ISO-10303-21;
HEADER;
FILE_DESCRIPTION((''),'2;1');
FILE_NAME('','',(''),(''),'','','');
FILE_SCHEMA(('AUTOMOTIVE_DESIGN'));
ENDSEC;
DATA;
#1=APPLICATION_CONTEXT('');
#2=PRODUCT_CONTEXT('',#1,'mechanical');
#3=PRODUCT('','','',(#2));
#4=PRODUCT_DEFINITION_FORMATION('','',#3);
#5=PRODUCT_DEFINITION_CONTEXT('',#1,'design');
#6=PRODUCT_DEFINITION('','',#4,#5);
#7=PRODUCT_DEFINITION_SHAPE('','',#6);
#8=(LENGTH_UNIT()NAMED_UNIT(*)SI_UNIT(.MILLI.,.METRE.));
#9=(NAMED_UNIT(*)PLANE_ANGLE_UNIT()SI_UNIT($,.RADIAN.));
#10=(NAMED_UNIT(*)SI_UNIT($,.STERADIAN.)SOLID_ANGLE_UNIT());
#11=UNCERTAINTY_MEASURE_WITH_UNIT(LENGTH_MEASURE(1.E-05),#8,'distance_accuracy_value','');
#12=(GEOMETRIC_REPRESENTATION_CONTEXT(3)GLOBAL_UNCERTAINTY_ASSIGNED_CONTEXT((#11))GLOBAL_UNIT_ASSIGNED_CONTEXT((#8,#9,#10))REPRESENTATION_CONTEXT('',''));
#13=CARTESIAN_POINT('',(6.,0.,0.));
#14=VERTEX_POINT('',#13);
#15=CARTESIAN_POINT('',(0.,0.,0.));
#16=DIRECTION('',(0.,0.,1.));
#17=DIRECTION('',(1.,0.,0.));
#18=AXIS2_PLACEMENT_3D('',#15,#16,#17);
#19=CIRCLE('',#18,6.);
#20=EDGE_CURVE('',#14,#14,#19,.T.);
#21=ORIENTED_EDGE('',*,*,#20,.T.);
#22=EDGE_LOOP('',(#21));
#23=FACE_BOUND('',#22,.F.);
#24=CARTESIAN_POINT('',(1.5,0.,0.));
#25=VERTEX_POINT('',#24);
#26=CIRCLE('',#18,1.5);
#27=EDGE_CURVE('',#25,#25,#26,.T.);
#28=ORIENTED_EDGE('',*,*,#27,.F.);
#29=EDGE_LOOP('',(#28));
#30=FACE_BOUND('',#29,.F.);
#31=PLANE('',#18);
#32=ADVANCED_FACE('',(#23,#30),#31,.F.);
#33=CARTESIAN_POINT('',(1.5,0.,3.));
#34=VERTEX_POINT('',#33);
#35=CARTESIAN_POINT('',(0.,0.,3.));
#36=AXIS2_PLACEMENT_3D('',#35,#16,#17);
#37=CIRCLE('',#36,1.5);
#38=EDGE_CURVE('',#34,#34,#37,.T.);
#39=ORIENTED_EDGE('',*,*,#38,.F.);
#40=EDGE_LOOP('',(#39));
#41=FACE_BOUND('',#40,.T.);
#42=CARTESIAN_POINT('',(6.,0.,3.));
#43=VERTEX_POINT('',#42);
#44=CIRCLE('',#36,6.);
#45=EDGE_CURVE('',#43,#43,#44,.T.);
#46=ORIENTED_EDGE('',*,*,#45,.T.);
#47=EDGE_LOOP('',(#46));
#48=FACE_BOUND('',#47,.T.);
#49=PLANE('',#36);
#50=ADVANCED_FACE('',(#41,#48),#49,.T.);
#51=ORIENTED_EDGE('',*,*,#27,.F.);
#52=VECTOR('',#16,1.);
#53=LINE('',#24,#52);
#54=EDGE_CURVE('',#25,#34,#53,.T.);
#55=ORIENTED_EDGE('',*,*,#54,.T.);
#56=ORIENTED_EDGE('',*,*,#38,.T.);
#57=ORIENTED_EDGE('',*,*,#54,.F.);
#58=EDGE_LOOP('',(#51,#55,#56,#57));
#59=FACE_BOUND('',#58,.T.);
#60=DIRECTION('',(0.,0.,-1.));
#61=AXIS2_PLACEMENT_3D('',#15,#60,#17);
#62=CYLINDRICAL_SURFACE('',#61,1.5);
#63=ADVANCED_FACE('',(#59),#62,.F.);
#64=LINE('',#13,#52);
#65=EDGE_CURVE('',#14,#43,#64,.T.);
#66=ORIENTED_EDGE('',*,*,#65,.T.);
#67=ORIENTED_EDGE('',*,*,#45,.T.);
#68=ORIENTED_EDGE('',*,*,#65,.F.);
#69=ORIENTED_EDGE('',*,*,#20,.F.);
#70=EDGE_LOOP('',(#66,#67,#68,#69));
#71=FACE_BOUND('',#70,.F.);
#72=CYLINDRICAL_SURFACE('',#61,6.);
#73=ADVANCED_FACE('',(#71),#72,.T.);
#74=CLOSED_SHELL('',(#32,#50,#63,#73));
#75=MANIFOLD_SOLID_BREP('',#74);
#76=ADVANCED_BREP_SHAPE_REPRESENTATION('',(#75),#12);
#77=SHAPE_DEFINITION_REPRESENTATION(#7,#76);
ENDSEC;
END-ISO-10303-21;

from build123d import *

# Parameters (mm, degrees)
SKETCH1_R           = 6
SKETCH1_R_2         = 1.5
BOSS_EXTRUDE1_DEPTH = 3


with BuildPart() as part:
    # Sketch1 → Boss-Extrude1 (new body)
    with BuildSketch(Plane.XY):
        Circle(SKETCH1_R)
        Circle(SKETCH1_R_2, mode=Mode.SUBTRACT)
    extrude(amount=BOSS_EXTRUDE1_DEPTH)


solid = part.part
